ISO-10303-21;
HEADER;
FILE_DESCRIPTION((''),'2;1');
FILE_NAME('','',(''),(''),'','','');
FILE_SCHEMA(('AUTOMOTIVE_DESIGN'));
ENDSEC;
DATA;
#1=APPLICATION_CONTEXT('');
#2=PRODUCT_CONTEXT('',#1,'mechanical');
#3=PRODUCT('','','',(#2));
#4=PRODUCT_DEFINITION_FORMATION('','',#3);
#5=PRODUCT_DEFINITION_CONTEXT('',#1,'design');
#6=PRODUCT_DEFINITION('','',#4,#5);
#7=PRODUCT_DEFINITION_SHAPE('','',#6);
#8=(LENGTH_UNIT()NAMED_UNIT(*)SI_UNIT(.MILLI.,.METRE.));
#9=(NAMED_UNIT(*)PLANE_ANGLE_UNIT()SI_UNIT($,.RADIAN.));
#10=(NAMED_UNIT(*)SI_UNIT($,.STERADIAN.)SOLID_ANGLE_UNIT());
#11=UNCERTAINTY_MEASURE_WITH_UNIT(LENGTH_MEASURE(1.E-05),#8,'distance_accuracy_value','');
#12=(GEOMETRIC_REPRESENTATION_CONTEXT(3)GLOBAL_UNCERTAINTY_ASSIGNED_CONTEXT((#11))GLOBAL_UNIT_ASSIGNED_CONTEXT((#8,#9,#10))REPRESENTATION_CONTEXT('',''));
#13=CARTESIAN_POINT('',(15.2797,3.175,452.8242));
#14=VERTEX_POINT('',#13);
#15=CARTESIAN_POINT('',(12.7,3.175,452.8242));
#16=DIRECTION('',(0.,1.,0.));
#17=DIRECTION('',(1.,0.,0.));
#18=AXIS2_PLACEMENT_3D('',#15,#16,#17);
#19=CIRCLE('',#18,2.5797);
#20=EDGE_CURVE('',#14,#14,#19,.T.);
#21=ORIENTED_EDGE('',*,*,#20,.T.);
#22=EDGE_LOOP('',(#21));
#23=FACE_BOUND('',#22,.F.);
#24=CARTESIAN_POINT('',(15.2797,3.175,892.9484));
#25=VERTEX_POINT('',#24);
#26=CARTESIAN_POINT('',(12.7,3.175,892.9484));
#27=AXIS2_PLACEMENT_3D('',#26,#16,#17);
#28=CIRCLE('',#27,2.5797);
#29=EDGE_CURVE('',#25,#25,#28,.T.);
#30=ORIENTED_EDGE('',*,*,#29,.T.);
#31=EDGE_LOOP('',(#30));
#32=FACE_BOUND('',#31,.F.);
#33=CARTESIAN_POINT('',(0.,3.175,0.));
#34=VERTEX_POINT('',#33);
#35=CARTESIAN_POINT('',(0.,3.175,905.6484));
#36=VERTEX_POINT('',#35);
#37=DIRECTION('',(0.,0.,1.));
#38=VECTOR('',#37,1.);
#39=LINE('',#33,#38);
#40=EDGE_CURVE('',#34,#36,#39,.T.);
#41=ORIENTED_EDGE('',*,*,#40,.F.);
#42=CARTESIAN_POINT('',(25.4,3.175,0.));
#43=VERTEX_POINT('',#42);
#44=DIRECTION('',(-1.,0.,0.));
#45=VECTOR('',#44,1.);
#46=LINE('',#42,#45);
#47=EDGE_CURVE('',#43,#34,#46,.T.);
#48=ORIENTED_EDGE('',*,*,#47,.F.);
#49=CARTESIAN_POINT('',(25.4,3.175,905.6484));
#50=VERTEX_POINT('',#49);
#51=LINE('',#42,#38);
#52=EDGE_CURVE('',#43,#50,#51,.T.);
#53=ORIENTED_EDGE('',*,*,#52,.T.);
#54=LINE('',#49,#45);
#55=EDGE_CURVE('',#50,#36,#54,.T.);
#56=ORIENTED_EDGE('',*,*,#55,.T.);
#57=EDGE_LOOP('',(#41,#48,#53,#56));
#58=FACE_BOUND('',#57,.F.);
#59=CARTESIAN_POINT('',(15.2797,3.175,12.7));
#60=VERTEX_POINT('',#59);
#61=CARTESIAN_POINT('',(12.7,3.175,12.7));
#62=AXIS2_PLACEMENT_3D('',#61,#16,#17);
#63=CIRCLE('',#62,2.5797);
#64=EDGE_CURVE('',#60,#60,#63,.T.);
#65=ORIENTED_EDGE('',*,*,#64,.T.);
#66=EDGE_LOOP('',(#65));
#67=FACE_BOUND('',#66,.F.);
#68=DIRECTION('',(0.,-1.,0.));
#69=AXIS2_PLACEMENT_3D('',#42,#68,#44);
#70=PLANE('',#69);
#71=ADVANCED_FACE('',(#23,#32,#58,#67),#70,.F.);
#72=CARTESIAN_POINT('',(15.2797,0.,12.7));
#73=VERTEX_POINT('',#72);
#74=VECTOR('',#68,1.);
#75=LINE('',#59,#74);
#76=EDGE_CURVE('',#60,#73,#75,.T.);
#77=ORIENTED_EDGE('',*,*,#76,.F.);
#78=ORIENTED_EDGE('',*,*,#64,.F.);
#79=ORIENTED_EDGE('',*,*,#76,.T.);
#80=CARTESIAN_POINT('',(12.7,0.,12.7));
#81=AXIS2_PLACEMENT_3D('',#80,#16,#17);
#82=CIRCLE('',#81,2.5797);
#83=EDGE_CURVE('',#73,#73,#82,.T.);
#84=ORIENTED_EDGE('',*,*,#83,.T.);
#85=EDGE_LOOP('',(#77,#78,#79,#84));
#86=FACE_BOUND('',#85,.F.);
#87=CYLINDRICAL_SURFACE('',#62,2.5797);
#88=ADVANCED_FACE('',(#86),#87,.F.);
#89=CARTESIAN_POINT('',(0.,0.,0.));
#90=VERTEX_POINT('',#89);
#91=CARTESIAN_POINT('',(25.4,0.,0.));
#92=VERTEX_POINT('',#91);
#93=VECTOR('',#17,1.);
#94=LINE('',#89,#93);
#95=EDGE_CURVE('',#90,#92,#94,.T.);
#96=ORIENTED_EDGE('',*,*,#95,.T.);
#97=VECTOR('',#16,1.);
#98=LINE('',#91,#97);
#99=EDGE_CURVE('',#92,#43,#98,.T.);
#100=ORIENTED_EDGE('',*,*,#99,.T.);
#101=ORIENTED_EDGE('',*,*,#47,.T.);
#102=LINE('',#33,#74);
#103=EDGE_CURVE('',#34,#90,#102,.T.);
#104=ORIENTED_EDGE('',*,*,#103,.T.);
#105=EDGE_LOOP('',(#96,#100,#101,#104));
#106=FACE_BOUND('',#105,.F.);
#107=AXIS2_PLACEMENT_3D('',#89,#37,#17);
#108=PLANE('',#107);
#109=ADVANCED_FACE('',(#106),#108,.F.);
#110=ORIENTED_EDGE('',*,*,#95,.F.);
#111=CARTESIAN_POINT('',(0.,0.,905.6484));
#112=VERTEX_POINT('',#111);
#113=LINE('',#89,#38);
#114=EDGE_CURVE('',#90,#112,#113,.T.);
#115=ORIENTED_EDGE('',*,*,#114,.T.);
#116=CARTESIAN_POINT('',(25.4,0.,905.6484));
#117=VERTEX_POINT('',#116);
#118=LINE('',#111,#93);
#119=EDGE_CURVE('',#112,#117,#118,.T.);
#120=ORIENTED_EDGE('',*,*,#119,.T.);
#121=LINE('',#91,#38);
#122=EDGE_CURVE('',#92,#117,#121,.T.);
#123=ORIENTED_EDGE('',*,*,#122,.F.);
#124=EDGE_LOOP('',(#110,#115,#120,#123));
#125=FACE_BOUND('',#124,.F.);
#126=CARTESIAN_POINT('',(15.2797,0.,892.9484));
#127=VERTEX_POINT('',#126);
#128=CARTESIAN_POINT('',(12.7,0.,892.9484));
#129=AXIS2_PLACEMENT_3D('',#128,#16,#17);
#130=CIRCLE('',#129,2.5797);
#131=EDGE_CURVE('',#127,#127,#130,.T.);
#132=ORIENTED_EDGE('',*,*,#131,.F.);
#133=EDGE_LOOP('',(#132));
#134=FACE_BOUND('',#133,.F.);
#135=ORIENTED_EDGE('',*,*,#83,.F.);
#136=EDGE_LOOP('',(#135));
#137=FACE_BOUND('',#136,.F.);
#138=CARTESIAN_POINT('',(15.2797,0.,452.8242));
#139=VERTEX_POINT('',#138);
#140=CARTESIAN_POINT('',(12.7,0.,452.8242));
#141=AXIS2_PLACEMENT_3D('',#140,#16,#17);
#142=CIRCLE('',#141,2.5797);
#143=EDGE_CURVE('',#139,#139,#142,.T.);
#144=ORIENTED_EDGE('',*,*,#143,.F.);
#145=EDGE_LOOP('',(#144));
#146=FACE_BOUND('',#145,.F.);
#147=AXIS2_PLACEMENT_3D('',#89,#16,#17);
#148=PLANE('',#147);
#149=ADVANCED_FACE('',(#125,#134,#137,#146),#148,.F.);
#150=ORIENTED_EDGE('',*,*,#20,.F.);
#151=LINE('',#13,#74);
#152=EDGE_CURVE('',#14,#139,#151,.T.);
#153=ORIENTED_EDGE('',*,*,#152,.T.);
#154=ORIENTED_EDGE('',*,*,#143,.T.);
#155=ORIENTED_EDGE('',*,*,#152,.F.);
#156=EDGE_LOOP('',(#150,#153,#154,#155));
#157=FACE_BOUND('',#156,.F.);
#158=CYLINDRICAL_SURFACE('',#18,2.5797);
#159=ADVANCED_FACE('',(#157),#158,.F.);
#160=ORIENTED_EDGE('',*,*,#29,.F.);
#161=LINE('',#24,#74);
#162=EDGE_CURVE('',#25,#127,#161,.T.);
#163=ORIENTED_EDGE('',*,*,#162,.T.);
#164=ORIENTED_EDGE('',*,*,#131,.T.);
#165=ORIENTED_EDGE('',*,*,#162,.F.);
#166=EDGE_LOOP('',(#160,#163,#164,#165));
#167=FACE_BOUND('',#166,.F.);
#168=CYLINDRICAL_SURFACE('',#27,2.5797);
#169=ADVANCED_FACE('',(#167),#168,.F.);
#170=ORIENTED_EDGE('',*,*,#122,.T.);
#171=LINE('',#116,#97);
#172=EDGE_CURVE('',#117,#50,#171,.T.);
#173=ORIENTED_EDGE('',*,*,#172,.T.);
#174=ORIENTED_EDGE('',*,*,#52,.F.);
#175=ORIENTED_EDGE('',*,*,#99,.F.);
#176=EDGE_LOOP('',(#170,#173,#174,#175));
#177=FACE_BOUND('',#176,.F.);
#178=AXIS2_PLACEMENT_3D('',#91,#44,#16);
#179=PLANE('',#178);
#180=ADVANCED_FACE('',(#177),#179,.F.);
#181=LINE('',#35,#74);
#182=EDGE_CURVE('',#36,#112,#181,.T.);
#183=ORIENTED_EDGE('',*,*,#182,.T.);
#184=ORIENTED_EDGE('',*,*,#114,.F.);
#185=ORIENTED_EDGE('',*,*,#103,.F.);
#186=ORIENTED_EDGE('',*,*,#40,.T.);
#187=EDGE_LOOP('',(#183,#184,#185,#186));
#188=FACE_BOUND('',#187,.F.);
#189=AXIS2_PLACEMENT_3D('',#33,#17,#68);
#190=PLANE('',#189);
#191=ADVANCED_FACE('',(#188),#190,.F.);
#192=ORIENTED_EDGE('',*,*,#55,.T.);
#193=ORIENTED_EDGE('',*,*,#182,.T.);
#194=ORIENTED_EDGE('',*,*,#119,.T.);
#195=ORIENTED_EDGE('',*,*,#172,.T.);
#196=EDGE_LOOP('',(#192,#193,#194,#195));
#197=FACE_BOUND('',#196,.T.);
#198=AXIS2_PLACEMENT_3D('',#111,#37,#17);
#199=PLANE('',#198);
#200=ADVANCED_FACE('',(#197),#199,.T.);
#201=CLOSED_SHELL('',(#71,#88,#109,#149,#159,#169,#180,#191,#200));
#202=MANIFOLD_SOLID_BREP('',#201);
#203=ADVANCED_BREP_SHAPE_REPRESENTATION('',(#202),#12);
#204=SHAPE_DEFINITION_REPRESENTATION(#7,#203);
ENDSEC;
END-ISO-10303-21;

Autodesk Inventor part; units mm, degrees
ref_plane "YZ Plane" through (0, 0, 0) normal (1, 0, 0) x (0, 1, 0)
ref_plane "XZ Plane" through (0, 0, 0) normal (0, 1, 0) x (-1, 0, 0)
ref_plane "XY Plane" through (0, 0, 0) normal (0, 0, 1) x (1, 0, 0)
sketch "Sketch1" plane through (0, 0, 0) normal (0, 0, 1) x (1, 0, 0)
  line L0 (0, 0) -> (25.4, 0)
  line L1 (25.4, 0) -> (25.4, 3.175)
  line L2 (25.4, 3.175) -> (0, 3.175)
  line L3 (0, 3.175) -> (0, 0)
  dimension "d0" = 25.4
  dimension "d1" = 3.175
extrude "Extrusion1" add sketch "Sketch1" along normal blind 905.6484
sketch "Sketch2" plane through (0, 3.175, 0) normal (0, 1, 0) x (1, 0, 0)
  line L0 (0, 0) -> (25.4, 0) construction
  line L1 (12.7, 0) -> (12.7, -12.7) construction
  line L2 (0, -905.6484) -> (25.4, -905.6484) construction
  line L3 (12.7, -905.6484) -> (12.7, -892.9484) construction
  circle A0 centre (12.7, -892.9484) radius 2.5797
  circle A1 centre (12.7, -12.7) radius 2.5797
  circle A2 centre (12.7, -452.8242) radius 2.5797
  dimension "d4" = 12.7
  dimension "d5" = 12.7
  dimension "d6" = 5.1594
extrude "Extrusion2" cut sketch "Sketch2" against normal blind 905.6484
properties part number "Crossbeam"
